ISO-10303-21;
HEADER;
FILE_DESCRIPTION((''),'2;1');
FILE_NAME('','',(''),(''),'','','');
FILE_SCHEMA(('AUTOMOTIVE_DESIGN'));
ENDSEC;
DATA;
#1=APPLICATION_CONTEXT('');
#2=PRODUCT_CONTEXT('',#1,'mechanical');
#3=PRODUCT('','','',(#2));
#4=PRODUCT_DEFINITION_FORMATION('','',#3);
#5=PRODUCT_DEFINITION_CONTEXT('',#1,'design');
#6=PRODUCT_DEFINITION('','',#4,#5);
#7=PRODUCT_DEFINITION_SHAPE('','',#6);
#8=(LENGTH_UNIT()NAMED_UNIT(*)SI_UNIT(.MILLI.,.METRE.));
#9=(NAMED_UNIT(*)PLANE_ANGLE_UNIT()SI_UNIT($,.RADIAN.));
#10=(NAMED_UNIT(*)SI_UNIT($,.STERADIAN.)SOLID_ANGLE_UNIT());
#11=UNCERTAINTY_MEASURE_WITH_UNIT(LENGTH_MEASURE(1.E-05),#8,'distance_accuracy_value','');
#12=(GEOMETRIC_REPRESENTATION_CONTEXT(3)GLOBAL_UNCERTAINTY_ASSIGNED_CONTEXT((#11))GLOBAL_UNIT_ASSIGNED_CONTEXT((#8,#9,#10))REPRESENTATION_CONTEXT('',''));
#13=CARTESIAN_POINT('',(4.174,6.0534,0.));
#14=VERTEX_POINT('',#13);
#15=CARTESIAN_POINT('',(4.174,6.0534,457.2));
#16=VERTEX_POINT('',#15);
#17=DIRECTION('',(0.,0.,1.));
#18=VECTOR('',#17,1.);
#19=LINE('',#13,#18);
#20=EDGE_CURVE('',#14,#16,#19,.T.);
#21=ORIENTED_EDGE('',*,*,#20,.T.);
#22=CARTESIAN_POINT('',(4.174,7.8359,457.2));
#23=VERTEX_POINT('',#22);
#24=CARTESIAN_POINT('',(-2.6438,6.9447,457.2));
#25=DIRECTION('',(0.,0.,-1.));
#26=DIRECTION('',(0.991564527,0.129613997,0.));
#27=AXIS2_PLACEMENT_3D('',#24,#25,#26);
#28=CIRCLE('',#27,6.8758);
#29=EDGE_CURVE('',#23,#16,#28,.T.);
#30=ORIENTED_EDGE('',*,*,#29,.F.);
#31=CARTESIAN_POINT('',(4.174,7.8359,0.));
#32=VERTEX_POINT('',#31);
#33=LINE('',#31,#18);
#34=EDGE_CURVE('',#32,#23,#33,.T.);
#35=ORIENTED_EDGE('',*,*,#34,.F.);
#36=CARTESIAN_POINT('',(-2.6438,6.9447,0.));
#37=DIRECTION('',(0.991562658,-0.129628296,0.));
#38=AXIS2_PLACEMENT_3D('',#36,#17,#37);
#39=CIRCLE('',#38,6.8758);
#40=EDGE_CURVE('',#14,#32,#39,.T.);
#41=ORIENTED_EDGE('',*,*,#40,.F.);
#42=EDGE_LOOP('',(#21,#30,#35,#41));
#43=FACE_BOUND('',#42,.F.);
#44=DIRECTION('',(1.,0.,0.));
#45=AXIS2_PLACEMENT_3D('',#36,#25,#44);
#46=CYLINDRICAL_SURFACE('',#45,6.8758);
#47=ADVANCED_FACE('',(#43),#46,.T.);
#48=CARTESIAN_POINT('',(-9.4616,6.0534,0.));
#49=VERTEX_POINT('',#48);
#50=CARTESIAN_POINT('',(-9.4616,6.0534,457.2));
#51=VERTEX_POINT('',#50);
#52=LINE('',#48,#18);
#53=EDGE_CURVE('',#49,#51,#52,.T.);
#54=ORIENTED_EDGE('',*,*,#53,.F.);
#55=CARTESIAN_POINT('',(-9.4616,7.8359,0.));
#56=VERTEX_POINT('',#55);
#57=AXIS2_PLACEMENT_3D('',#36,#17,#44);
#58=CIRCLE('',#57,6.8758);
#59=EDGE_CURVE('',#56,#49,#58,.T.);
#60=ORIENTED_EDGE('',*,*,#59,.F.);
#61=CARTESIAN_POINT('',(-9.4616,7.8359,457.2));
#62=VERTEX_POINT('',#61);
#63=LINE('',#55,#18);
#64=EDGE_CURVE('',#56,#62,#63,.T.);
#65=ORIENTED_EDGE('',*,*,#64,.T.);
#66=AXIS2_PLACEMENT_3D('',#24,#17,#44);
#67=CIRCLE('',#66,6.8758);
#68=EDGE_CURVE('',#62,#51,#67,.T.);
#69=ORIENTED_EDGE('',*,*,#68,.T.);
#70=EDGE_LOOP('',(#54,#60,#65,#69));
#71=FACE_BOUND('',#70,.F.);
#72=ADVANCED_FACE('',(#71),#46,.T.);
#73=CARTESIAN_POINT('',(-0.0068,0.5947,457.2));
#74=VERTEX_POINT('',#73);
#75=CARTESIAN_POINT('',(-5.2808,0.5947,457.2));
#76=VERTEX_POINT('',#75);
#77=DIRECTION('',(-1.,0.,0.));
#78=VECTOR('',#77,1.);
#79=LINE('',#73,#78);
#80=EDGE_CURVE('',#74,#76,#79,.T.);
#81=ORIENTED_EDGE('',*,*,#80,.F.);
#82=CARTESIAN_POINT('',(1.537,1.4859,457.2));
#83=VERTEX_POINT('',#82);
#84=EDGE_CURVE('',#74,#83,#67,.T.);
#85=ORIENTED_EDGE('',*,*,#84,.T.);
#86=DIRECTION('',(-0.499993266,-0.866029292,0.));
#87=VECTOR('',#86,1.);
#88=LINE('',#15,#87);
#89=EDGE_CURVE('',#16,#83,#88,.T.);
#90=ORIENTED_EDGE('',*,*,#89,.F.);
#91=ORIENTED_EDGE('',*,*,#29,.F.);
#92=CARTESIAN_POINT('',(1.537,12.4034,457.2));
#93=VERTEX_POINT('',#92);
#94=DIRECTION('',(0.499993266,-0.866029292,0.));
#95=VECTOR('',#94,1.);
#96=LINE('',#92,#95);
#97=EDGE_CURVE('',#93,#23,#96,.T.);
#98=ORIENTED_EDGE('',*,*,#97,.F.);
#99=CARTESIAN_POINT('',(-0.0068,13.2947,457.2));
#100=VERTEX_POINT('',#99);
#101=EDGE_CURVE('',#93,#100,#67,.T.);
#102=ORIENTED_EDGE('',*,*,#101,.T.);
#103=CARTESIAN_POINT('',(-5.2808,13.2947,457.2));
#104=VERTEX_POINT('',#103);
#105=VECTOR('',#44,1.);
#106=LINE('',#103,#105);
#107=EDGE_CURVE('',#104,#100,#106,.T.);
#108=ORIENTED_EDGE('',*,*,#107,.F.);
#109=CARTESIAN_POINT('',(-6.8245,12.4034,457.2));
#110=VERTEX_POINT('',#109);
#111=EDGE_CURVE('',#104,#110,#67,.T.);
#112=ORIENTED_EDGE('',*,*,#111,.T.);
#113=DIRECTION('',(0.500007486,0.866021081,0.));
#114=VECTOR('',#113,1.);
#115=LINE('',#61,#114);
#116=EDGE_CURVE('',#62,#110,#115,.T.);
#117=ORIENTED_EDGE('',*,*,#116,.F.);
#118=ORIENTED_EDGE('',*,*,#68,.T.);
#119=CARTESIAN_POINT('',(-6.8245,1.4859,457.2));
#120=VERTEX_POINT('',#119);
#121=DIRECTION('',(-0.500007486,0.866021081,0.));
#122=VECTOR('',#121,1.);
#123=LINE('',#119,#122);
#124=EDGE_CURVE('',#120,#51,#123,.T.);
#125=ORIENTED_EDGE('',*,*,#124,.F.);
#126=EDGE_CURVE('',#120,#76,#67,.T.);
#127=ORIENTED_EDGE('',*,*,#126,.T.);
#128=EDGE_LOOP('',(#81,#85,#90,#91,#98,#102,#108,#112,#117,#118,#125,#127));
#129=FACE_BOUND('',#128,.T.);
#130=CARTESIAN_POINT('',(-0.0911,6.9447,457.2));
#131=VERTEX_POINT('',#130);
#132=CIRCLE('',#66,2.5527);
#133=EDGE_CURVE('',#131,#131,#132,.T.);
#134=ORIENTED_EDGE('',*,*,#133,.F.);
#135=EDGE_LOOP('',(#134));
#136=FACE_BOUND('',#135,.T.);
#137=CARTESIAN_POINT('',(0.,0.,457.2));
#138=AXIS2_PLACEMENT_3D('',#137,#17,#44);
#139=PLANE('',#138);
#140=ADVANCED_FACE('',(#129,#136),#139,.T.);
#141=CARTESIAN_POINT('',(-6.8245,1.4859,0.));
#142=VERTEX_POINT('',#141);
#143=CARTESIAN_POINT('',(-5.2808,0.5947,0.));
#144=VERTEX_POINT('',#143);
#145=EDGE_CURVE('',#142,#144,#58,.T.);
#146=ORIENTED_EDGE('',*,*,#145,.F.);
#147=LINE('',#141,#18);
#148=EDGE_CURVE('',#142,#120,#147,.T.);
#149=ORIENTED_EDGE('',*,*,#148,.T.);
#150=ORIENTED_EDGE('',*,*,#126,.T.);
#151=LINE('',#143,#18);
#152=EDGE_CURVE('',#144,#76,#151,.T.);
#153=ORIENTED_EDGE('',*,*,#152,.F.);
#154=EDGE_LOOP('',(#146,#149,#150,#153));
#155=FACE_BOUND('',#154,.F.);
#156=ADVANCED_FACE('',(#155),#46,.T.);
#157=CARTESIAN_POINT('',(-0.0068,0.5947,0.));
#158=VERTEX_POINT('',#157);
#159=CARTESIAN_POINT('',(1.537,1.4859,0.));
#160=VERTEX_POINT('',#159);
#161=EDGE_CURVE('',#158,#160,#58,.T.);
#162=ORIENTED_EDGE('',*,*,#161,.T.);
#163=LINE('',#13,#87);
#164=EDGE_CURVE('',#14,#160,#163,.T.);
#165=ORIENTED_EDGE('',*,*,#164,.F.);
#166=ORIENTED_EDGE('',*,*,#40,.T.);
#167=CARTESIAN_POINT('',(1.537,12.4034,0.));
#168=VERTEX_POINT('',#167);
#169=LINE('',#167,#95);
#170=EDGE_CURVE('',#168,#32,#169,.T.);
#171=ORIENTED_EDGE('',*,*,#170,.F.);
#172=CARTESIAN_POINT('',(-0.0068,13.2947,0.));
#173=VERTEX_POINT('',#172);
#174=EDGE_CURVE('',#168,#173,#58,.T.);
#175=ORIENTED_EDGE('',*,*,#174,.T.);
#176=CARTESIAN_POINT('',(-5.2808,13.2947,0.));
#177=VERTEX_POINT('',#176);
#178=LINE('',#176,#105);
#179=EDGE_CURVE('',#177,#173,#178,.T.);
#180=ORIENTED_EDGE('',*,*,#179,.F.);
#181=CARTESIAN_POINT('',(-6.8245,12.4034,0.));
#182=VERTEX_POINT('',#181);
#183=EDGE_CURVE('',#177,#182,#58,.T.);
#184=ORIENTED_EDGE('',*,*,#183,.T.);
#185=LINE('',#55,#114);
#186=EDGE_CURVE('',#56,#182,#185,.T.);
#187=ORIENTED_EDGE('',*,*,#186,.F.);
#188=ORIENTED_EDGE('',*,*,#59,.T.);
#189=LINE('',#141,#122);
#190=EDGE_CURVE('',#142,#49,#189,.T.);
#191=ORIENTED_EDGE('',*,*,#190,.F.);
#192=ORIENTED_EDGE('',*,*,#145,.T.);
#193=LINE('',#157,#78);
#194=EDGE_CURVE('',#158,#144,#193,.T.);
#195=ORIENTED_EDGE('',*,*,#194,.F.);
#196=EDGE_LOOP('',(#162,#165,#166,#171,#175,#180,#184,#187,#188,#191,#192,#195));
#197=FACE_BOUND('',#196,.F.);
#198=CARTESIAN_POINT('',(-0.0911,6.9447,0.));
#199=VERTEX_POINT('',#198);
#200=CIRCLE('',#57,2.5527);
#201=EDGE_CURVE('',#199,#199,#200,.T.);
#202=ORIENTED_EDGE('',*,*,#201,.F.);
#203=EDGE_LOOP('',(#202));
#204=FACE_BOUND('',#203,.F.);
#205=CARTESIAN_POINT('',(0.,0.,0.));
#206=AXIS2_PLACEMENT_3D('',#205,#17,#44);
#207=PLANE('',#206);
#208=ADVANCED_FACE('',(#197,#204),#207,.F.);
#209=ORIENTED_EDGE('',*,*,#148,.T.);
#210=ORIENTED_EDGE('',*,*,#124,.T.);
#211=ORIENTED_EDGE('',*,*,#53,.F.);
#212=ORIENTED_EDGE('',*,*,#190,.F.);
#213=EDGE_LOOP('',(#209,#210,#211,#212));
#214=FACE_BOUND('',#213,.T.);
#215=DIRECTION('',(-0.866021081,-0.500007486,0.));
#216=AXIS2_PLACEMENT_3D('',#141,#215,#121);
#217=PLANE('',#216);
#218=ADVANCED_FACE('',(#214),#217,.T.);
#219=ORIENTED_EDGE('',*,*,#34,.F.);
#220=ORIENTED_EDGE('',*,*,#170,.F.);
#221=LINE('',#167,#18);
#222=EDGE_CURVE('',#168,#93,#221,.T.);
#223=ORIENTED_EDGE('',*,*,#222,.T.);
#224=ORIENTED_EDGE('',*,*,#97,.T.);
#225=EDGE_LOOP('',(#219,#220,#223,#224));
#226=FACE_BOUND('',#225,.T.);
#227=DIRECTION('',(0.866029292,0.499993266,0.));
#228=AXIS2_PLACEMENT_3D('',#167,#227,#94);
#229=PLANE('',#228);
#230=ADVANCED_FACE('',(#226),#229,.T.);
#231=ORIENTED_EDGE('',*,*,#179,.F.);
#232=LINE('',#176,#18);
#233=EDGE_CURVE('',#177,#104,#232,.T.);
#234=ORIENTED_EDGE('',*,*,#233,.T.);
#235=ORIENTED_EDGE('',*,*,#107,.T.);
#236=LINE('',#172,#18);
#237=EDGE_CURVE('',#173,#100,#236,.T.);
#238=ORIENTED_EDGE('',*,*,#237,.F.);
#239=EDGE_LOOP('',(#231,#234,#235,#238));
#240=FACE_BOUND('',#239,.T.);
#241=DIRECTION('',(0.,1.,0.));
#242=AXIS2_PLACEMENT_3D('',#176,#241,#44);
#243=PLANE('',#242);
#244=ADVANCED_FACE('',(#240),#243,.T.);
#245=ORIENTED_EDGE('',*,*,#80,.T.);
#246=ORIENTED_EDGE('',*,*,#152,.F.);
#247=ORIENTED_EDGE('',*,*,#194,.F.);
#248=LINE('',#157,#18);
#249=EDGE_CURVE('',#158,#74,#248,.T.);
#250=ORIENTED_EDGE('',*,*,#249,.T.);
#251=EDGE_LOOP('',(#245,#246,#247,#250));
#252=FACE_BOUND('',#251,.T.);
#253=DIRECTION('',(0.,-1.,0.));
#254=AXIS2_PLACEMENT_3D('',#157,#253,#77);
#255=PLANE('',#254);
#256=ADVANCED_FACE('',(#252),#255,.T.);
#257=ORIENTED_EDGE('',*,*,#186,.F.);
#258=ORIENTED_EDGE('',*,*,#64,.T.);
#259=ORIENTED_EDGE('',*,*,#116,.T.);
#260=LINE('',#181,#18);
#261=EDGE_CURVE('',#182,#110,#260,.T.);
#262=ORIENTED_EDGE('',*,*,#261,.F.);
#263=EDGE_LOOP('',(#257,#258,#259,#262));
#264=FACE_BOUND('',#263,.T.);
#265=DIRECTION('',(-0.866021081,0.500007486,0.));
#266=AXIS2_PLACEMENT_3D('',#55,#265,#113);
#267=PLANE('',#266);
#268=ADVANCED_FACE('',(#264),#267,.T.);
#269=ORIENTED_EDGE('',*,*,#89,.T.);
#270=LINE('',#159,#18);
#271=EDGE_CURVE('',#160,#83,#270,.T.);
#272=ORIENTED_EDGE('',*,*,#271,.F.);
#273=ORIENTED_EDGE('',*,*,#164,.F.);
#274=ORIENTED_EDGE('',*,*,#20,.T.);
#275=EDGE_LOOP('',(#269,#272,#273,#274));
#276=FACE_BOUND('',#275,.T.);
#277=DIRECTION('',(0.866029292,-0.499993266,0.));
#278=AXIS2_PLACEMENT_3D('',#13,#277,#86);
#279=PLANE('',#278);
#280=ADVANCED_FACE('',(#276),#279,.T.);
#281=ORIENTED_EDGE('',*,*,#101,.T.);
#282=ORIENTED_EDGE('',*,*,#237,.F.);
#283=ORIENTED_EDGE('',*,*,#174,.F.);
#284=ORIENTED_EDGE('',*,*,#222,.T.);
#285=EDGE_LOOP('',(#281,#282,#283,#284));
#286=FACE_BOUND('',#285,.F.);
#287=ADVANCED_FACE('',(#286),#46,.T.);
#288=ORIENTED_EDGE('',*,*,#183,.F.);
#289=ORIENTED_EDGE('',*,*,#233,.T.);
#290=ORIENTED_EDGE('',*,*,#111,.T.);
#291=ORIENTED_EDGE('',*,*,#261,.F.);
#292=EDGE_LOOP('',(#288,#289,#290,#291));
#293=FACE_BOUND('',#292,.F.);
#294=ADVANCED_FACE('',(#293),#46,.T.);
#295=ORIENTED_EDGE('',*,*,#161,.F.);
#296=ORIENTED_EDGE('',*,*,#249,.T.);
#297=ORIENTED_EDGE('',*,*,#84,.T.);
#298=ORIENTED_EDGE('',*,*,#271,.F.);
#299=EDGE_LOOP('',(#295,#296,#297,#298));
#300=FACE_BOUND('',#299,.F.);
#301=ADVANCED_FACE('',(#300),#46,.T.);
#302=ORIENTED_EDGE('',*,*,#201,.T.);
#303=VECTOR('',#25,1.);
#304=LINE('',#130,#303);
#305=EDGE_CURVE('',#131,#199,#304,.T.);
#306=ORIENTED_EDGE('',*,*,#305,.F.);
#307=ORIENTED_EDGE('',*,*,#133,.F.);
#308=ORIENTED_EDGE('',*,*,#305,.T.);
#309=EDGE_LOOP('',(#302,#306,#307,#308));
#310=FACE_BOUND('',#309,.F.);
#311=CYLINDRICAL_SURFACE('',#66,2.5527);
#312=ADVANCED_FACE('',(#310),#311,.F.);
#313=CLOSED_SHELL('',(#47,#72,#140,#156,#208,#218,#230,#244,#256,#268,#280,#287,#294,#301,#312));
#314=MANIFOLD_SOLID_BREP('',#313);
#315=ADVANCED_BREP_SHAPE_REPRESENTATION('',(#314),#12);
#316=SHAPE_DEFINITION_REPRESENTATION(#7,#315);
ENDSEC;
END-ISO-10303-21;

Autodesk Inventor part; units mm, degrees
ref_plane "YZ Plane" through (0, 0, 0) normal (1, 0, 0) x (0, 1, 0)
ref_plane "XZ Plane" through (0, 0, 0) normal (0, 1, 0) x (-1, 0, 0)
ref_plane "XY Plane" through (0, 0, 0) normal (0, 0, 1) x (1, 0, 0)
sketch "Sketch1" plane through (0, 0, 0) normal (0, 0, 1) x (1, 0, 0)
  circle A0 centre (-2.6438, 6.9447) radius 6.8758
  line L0 (-9.4616, 7.8359) -> (-6.8245, 12.4034)
  line L1 (-6.8245, 1.4859) -> (-9.4616, 6.0534)
  line L2 (-0.0068, 0.5947) -> (-5.2808, 0.5947)
  line L3 (4.174, 6.0534) -> (1.537, 1.4859)
  line L4 (1.537, 12.4034) -> (4.174, 7.8359)
  line L5 (-5.2808, 13.2947) -> (-0.0068, 13.2947)
  point P0 (0, 0)
  point P1 (1.537, 1.4859)
  dimension "d0" = 13.7516
  dimension "d4" = 360
extrude "Extrusion1" add sketch "Sketch1" along normal blind 457.2 contours A0 L3 L2 L1 L0 L5 L4
sketch "Sketch2" plane through (0, 0, 457.2) normal (0, 0, 1) x (1, 0, 0)
  circle A0 centre (-2.6438, 6.9447) radius 2.5527
  line L0 (-5.2808, 0.5947) -> (-0.0068, 0.5947) projected
  line L1 (-2.6438, 6.9447) -> (-5.2808, 0.5947) construction
  line L2 (-2.6438, 6.9447) -> (-0.0068, 0.5947) construction
  point P0 (0, 0)
  dimension "d8" = 5.1054
  dimension "d9" = 6.35
extrude "Extrusion2" cut sketch "Sketch2" against normal blind 457.2
equation "\"d6\" = d5"
equation "\"d10\" = d5"
equation "\"d5\" = 457.2"
properties part number "TurretPrototypeShaft" material "Aluminum 6061"
